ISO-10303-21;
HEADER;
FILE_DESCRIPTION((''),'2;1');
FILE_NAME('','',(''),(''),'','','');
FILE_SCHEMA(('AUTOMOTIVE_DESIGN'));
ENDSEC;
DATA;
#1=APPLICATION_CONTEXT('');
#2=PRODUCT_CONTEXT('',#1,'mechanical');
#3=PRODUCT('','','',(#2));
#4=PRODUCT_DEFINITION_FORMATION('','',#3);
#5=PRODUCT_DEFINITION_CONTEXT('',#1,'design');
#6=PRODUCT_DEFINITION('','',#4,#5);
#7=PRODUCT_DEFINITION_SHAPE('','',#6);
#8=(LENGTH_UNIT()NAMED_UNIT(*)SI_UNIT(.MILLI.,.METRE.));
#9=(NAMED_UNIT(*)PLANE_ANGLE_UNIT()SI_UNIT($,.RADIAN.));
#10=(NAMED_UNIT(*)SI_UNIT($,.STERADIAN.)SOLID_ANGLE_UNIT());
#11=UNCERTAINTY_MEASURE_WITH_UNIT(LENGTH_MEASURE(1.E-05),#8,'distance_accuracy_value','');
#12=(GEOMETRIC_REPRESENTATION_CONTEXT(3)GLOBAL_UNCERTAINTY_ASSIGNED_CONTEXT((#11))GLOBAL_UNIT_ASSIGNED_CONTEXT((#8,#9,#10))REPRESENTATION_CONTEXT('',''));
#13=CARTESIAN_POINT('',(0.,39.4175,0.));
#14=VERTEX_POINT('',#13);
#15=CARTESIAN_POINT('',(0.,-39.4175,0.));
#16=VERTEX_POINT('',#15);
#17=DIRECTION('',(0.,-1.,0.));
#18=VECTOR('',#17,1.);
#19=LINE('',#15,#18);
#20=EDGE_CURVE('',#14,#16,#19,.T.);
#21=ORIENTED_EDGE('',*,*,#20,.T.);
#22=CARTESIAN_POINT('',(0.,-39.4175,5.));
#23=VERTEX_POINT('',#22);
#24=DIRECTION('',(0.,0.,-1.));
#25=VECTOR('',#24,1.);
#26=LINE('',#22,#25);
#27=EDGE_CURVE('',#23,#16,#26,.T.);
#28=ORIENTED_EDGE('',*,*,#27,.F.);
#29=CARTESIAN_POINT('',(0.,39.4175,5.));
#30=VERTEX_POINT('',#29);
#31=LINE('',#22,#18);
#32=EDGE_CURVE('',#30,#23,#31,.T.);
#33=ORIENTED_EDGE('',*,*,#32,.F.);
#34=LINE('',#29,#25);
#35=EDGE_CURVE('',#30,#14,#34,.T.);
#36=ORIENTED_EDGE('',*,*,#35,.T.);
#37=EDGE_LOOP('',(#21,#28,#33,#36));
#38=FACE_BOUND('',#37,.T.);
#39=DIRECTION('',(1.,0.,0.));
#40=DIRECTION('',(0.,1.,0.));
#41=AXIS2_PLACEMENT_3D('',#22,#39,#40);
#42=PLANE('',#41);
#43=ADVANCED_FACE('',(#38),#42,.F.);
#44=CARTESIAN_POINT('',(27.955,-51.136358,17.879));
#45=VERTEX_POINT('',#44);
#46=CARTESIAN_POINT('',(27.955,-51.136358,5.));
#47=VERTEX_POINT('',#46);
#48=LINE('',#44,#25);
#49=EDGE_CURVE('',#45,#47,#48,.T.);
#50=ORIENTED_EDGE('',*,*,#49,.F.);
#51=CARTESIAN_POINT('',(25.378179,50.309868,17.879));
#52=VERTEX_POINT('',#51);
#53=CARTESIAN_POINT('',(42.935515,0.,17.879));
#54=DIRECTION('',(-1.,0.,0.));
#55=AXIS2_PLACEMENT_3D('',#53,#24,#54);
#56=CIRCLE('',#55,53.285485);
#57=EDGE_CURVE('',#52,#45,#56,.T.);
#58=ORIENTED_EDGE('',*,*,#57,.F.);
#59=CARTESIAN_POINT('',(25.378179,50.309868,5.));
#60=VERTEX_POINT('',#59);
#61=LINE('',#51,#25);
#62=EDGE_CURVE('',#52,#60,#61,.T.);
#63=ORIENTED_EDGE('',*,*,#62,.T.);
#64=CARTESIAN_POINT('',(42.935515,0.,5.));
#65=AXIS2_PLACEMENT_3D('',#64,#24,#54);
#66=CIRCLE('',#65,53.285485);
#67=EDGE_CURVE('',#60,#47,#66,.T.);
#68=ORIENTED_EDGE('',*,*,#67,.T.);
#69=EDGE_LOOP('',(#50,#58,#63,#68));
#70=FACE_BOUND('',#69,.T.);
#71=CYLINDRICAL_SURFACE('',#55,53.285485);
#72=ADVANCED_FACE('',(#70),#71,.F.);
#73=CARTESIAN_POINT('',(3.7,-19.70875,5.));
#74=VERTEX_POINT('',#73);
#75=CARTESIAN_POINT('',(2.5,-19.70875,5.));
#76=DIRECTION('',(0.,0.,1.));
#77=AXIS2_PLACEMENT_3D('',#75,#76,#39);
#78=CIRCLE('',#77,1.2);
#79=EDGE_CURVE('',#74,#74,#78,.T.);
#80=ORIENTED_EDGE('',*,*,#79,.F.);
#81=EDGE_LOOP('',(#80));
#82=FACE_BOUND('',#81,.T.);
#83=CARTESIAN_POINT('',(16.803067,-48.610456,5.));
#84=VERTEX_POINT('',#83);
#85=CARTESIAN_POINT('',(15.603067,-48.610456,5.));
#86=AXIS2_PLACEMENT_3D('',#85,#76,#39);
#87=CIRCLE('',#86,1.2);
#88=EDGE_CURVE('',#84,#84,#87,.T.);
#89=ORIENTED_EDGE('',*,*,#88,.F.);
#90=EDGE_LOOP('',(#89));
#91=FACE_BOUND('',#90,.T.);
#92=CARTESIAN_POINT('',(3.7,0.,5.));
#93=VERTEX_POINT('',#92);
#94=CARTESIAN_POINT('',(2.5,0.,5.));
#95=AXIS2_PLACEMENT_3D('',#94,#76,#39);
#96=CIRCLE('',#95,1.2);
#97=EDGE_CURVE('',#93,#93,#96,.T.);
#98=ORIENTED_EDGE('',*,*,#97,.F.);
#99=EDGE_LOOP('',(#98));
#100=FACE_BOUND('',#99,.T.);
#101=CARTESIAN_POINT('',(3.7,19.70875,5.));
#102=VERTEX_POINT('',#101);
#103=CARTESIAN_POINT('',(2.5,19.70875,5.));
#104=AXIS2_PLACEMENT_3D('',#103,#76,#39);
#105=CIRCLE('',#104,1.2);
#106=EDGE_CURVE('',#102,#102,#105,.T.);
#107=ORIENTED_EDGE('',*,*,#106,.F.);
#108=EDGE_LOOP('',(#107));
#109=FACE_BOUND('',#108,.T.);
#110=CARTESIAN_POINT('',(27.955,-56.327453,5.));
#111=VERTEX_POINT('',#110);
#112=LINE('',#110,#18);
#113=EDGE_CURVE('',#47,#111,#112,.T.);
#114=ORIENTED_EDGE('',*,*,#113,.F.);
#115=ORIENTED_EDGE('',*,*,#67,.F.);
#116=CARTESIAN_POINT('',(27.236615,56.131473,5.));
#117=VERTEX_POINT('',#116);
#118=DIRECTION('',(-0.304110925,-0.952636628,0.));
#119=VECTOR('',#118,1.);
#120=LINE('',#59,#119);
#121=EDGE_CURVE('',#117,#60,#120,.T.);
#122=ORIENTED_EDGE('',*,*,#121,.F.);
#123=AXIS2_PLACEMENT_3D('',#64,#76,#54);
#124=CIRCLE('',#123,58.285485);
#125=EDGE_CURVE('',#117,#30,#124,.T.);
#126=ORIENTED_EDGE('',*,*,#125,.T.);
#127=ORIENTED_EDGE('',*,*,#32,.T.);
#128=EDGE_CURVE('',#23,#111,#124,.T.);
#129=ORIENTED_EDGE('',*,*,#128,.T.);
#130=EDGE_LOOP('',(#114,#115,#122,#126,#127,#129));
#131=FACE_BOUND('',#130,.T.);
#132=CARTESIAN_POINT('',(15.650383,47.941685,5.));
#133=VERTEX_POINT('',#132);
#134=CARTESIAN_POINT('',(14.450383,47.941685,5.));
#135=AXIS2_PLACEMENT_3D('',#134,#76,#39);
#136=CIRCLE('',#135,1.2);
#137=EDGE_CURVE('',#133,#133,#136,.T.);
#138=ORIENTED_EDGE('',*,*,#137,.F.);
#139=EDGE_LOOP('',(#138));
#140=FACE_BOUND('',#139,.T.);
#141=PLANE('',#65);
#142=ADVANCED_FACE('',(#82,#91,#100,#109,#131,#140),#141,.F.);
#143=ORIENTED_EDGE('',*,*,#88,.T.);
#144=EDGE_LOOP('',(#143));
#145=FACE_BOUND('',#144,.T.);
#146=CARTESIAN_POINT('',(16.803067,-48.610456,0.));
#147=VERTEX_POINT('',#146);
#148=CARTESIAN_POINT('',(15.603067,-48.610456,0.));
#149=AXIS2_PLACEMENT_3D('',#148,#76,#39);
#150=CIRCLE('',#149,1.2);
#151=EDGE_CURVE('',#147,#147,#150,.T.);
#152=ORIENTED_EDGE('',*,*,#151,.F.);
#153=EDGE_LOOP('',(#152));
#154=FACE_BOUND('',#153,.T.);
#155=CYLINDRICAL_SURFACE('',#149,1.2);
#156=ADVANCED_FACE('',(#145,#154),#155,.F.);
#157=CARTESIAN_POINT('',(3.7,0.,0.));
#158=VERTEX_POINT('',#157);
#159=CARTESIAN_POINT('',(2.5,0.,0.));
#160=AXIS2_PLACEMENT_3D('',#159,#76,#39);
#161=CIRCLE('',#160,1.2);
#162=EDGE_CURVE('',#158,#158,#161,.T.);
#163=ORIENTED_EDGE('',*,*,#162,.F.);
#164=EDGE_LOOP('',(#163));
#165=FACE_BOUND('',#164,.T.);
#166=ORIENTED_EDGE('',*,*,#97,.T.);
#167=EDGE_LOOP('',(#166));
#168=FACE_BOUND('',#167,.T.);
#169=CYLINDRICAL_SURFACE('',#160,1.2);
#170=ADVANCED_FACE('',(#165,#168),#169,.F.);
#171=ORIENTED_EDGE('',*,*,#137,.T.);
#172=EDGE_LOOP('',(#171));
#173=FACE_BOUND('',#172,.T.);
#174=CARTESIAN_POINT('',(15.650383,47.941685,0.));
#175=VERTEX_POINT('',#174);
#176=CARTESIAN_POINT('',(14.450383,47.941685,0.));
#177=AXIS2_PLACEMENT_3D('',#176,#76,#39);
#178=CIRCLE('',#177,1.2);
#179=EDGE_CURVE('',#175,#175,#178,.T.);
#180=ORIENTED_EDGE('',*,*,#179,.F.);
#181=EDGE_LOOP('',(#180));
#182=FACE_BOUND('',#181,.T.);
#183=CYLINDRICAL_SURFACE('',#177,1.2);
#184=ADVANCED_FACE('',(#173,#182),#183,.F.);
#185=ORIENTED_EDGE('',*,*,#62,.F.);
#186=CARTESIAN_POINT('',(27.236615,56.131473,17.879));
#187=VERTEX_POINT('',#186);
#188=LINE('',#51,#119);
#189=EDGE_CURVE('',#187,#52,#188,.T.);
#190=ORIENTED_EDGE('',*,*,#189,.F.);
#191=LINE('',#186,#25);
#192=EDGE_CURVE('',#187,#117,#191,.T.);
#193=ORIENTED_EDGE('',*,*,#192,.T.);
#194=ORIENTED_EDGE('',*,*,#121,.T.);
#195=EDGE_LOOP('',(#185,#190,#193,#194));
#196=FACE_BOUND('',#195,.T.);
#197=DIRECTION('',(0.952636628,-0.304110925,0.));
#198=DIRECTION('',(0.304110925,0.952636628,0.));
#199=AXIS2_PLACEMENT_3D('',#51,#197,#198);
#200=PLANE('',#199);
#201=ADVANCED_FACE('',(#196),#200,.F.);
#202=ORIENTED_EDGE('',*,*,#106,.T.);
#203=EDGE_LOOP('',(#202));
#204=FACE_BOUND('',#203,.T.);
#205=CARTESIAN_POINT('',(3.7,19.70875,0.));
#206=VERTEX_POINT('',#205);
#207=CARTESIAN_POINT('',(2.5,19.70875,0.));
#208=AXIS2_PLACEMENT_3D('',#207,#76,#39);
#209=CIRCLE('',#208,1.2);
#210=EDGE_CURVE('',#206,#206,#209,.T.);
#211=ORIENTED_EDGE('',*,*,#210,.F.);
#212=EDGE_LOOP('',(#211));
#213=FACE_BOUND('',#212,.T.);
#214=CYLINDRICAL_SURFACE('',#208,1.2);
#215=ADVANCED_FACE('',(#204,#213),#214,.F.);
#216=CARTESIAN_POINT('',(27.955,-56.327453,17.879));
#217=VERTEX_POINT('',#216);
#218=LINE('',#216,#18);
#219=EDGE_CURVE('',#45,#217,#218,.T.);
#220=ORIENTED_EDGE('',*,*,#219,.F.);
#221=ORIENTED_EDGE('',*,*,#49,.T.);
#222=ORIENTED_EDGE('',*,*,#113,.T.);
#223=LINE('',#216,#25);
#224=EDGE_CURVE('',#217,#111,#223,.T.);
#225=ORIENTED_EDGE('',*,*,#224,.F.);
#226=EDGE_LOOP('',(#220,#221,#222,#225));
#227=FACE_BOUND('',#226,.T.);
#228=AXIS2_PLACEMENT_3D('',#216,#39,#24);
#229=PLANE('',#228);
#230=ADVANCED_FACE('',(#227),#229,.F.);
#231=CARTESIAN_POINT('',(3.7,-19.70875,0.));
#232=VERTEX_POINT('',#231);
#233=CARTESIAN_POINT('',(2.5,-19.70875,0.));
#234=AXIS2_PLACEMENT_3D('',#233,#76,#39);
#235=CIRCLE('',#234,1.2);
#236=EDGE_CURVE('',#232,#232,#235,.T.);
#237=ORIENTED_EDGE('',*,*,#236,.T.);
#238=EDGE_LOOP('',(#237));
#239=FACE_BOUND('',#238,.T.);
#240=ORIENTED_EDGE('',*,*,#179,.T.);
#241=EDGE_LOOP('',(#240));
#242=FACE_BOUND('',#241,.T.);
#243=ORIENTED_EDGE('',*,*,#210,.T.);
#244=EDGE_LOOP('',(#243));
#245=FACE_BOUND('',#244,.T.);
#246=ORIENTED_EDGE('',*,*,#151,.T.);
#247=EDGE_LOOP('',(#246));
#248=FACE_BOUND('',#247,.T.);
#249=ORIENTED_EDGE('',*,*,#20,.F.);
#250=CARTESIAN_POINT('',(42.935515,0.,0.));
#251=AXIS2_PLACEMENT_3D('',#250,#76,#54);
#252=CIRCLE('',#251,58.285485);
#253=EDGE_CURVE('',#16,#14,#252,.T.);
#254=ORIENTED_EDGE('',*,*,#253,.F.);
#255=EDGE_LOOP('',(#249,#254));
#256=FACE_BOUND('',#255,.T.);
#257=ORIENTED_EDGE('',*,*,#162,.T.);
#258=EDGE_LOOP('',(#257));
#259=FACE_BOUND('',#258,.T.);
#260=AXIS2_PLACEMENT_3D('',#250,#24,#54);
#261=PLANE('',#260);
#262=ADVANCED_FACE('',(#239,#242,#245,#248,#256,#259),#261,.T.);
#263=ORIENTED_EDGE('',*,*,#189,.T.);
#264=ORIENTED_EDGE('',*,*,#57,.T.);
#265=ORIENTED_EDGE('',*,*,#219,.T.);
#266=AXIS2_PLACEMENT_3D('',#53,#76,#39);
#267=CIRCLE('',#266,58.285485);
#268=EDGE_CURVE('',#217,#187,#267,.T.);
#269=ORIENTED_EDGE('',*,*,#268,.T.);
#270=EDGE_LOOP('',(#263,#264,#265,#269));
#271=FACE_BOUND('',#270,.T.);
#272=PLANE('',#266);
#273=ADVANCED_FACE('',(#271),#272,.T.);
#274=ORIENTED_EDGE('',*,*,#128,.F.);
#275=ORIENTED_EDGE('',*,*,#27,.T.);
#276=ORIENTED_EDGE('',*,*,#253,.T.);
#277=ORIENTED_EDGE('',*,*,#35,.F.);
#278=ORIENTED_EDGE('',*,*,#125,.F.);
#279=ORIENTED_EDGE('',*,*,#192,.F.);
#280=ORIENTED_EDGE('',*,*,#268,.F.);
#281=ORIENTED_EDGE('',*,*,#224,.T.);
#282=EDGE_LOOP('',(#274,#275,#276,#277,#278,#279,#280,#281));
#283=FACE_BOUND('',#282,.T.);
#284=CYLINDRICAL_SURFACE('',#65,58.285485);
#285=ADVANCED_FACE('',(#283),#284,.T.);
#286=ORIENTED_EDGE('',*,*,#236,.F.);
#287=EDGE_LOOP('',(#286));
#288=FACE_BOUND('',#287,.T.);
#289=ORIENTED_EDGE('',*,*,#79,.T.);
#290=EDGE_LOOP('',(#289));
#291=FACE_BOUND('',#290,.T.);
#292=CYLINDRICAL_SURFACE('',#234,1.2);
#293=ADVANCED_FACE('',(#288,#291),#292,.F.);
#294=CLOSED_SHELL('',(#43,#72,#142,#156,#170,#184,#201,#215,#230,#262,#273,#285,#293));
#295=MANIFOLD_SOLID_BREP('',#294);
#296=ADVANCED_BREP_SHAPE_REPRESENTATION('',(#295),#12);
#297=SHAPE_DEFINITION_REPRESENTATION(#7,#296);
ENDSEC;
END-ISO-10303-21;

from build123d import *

# Parameters (mm, degrees)
BOSS_EXTRUDE1_DEPTH = 5
SKETCH2_R           = 1.2
CUT_EXTRUDE1_DEPTH  = 117.909745524
BOSS_EXTRUDE2_DEPTH = 12.879


with BuildPart() as part:
    # Sketch1 → Boss-Extrude1 (new body)
    with BuildSketch(Plane.XY):
        with BuildLine():
            Line((0, -39.4175), (0, 39.4175))
            ThreePointArc((0, 39.4175), (101.221, 0), (0, -39.4175))
        make_face()
    extrude(amount=BOSS_EXTRUDE1_DEPTH)

    # Sketch2 → Cut-Extrude1 (cut, through all)
    with BuildSketch(Plane.XY.offset(5)):
        with Locations((2.5, 19.70875)):
            Circle(SKETCH2_R)
        with Locations((2.5, 0)):
            Circle(SKETCH2_R)
        with Locations((2.5, -19.70875)):
            Circle(SKETCH2_R)
        with Locations((14.450382973, 47.941684776)):
            Circle(SKETCH2_R)
        with Locations((15.603067001, -48.610455862)):
            Circle(SKETCH2_R)
    extrude(amount=-CUT_EXTRUDE1_DEPTH, mode=Mode.SUBTRACT)

    # Sketch3 → Boss-Extrude2 (add)
    with BuildSketch(Plane.XY.offset(5)):
        with BuildLine():
            Line((27.955, -56.327452693), (27.955, -51.136357684))
            ThreePointArc((27.955, -51.136357684), (96.203818326, 1.353060418), (25.378179175, 50.30986847))
            Line((25.378179175, 50.30986847), (27.236614528, 56.131473172))
            ThreePointArc((27.236614528, 56.131473172), (101.219810829, 0.372318969), (27.955, -56.327452693))
        make_face()
    extrude(amount=BOSS_EXTRUDE2_DEPTH)


solid = part.part
